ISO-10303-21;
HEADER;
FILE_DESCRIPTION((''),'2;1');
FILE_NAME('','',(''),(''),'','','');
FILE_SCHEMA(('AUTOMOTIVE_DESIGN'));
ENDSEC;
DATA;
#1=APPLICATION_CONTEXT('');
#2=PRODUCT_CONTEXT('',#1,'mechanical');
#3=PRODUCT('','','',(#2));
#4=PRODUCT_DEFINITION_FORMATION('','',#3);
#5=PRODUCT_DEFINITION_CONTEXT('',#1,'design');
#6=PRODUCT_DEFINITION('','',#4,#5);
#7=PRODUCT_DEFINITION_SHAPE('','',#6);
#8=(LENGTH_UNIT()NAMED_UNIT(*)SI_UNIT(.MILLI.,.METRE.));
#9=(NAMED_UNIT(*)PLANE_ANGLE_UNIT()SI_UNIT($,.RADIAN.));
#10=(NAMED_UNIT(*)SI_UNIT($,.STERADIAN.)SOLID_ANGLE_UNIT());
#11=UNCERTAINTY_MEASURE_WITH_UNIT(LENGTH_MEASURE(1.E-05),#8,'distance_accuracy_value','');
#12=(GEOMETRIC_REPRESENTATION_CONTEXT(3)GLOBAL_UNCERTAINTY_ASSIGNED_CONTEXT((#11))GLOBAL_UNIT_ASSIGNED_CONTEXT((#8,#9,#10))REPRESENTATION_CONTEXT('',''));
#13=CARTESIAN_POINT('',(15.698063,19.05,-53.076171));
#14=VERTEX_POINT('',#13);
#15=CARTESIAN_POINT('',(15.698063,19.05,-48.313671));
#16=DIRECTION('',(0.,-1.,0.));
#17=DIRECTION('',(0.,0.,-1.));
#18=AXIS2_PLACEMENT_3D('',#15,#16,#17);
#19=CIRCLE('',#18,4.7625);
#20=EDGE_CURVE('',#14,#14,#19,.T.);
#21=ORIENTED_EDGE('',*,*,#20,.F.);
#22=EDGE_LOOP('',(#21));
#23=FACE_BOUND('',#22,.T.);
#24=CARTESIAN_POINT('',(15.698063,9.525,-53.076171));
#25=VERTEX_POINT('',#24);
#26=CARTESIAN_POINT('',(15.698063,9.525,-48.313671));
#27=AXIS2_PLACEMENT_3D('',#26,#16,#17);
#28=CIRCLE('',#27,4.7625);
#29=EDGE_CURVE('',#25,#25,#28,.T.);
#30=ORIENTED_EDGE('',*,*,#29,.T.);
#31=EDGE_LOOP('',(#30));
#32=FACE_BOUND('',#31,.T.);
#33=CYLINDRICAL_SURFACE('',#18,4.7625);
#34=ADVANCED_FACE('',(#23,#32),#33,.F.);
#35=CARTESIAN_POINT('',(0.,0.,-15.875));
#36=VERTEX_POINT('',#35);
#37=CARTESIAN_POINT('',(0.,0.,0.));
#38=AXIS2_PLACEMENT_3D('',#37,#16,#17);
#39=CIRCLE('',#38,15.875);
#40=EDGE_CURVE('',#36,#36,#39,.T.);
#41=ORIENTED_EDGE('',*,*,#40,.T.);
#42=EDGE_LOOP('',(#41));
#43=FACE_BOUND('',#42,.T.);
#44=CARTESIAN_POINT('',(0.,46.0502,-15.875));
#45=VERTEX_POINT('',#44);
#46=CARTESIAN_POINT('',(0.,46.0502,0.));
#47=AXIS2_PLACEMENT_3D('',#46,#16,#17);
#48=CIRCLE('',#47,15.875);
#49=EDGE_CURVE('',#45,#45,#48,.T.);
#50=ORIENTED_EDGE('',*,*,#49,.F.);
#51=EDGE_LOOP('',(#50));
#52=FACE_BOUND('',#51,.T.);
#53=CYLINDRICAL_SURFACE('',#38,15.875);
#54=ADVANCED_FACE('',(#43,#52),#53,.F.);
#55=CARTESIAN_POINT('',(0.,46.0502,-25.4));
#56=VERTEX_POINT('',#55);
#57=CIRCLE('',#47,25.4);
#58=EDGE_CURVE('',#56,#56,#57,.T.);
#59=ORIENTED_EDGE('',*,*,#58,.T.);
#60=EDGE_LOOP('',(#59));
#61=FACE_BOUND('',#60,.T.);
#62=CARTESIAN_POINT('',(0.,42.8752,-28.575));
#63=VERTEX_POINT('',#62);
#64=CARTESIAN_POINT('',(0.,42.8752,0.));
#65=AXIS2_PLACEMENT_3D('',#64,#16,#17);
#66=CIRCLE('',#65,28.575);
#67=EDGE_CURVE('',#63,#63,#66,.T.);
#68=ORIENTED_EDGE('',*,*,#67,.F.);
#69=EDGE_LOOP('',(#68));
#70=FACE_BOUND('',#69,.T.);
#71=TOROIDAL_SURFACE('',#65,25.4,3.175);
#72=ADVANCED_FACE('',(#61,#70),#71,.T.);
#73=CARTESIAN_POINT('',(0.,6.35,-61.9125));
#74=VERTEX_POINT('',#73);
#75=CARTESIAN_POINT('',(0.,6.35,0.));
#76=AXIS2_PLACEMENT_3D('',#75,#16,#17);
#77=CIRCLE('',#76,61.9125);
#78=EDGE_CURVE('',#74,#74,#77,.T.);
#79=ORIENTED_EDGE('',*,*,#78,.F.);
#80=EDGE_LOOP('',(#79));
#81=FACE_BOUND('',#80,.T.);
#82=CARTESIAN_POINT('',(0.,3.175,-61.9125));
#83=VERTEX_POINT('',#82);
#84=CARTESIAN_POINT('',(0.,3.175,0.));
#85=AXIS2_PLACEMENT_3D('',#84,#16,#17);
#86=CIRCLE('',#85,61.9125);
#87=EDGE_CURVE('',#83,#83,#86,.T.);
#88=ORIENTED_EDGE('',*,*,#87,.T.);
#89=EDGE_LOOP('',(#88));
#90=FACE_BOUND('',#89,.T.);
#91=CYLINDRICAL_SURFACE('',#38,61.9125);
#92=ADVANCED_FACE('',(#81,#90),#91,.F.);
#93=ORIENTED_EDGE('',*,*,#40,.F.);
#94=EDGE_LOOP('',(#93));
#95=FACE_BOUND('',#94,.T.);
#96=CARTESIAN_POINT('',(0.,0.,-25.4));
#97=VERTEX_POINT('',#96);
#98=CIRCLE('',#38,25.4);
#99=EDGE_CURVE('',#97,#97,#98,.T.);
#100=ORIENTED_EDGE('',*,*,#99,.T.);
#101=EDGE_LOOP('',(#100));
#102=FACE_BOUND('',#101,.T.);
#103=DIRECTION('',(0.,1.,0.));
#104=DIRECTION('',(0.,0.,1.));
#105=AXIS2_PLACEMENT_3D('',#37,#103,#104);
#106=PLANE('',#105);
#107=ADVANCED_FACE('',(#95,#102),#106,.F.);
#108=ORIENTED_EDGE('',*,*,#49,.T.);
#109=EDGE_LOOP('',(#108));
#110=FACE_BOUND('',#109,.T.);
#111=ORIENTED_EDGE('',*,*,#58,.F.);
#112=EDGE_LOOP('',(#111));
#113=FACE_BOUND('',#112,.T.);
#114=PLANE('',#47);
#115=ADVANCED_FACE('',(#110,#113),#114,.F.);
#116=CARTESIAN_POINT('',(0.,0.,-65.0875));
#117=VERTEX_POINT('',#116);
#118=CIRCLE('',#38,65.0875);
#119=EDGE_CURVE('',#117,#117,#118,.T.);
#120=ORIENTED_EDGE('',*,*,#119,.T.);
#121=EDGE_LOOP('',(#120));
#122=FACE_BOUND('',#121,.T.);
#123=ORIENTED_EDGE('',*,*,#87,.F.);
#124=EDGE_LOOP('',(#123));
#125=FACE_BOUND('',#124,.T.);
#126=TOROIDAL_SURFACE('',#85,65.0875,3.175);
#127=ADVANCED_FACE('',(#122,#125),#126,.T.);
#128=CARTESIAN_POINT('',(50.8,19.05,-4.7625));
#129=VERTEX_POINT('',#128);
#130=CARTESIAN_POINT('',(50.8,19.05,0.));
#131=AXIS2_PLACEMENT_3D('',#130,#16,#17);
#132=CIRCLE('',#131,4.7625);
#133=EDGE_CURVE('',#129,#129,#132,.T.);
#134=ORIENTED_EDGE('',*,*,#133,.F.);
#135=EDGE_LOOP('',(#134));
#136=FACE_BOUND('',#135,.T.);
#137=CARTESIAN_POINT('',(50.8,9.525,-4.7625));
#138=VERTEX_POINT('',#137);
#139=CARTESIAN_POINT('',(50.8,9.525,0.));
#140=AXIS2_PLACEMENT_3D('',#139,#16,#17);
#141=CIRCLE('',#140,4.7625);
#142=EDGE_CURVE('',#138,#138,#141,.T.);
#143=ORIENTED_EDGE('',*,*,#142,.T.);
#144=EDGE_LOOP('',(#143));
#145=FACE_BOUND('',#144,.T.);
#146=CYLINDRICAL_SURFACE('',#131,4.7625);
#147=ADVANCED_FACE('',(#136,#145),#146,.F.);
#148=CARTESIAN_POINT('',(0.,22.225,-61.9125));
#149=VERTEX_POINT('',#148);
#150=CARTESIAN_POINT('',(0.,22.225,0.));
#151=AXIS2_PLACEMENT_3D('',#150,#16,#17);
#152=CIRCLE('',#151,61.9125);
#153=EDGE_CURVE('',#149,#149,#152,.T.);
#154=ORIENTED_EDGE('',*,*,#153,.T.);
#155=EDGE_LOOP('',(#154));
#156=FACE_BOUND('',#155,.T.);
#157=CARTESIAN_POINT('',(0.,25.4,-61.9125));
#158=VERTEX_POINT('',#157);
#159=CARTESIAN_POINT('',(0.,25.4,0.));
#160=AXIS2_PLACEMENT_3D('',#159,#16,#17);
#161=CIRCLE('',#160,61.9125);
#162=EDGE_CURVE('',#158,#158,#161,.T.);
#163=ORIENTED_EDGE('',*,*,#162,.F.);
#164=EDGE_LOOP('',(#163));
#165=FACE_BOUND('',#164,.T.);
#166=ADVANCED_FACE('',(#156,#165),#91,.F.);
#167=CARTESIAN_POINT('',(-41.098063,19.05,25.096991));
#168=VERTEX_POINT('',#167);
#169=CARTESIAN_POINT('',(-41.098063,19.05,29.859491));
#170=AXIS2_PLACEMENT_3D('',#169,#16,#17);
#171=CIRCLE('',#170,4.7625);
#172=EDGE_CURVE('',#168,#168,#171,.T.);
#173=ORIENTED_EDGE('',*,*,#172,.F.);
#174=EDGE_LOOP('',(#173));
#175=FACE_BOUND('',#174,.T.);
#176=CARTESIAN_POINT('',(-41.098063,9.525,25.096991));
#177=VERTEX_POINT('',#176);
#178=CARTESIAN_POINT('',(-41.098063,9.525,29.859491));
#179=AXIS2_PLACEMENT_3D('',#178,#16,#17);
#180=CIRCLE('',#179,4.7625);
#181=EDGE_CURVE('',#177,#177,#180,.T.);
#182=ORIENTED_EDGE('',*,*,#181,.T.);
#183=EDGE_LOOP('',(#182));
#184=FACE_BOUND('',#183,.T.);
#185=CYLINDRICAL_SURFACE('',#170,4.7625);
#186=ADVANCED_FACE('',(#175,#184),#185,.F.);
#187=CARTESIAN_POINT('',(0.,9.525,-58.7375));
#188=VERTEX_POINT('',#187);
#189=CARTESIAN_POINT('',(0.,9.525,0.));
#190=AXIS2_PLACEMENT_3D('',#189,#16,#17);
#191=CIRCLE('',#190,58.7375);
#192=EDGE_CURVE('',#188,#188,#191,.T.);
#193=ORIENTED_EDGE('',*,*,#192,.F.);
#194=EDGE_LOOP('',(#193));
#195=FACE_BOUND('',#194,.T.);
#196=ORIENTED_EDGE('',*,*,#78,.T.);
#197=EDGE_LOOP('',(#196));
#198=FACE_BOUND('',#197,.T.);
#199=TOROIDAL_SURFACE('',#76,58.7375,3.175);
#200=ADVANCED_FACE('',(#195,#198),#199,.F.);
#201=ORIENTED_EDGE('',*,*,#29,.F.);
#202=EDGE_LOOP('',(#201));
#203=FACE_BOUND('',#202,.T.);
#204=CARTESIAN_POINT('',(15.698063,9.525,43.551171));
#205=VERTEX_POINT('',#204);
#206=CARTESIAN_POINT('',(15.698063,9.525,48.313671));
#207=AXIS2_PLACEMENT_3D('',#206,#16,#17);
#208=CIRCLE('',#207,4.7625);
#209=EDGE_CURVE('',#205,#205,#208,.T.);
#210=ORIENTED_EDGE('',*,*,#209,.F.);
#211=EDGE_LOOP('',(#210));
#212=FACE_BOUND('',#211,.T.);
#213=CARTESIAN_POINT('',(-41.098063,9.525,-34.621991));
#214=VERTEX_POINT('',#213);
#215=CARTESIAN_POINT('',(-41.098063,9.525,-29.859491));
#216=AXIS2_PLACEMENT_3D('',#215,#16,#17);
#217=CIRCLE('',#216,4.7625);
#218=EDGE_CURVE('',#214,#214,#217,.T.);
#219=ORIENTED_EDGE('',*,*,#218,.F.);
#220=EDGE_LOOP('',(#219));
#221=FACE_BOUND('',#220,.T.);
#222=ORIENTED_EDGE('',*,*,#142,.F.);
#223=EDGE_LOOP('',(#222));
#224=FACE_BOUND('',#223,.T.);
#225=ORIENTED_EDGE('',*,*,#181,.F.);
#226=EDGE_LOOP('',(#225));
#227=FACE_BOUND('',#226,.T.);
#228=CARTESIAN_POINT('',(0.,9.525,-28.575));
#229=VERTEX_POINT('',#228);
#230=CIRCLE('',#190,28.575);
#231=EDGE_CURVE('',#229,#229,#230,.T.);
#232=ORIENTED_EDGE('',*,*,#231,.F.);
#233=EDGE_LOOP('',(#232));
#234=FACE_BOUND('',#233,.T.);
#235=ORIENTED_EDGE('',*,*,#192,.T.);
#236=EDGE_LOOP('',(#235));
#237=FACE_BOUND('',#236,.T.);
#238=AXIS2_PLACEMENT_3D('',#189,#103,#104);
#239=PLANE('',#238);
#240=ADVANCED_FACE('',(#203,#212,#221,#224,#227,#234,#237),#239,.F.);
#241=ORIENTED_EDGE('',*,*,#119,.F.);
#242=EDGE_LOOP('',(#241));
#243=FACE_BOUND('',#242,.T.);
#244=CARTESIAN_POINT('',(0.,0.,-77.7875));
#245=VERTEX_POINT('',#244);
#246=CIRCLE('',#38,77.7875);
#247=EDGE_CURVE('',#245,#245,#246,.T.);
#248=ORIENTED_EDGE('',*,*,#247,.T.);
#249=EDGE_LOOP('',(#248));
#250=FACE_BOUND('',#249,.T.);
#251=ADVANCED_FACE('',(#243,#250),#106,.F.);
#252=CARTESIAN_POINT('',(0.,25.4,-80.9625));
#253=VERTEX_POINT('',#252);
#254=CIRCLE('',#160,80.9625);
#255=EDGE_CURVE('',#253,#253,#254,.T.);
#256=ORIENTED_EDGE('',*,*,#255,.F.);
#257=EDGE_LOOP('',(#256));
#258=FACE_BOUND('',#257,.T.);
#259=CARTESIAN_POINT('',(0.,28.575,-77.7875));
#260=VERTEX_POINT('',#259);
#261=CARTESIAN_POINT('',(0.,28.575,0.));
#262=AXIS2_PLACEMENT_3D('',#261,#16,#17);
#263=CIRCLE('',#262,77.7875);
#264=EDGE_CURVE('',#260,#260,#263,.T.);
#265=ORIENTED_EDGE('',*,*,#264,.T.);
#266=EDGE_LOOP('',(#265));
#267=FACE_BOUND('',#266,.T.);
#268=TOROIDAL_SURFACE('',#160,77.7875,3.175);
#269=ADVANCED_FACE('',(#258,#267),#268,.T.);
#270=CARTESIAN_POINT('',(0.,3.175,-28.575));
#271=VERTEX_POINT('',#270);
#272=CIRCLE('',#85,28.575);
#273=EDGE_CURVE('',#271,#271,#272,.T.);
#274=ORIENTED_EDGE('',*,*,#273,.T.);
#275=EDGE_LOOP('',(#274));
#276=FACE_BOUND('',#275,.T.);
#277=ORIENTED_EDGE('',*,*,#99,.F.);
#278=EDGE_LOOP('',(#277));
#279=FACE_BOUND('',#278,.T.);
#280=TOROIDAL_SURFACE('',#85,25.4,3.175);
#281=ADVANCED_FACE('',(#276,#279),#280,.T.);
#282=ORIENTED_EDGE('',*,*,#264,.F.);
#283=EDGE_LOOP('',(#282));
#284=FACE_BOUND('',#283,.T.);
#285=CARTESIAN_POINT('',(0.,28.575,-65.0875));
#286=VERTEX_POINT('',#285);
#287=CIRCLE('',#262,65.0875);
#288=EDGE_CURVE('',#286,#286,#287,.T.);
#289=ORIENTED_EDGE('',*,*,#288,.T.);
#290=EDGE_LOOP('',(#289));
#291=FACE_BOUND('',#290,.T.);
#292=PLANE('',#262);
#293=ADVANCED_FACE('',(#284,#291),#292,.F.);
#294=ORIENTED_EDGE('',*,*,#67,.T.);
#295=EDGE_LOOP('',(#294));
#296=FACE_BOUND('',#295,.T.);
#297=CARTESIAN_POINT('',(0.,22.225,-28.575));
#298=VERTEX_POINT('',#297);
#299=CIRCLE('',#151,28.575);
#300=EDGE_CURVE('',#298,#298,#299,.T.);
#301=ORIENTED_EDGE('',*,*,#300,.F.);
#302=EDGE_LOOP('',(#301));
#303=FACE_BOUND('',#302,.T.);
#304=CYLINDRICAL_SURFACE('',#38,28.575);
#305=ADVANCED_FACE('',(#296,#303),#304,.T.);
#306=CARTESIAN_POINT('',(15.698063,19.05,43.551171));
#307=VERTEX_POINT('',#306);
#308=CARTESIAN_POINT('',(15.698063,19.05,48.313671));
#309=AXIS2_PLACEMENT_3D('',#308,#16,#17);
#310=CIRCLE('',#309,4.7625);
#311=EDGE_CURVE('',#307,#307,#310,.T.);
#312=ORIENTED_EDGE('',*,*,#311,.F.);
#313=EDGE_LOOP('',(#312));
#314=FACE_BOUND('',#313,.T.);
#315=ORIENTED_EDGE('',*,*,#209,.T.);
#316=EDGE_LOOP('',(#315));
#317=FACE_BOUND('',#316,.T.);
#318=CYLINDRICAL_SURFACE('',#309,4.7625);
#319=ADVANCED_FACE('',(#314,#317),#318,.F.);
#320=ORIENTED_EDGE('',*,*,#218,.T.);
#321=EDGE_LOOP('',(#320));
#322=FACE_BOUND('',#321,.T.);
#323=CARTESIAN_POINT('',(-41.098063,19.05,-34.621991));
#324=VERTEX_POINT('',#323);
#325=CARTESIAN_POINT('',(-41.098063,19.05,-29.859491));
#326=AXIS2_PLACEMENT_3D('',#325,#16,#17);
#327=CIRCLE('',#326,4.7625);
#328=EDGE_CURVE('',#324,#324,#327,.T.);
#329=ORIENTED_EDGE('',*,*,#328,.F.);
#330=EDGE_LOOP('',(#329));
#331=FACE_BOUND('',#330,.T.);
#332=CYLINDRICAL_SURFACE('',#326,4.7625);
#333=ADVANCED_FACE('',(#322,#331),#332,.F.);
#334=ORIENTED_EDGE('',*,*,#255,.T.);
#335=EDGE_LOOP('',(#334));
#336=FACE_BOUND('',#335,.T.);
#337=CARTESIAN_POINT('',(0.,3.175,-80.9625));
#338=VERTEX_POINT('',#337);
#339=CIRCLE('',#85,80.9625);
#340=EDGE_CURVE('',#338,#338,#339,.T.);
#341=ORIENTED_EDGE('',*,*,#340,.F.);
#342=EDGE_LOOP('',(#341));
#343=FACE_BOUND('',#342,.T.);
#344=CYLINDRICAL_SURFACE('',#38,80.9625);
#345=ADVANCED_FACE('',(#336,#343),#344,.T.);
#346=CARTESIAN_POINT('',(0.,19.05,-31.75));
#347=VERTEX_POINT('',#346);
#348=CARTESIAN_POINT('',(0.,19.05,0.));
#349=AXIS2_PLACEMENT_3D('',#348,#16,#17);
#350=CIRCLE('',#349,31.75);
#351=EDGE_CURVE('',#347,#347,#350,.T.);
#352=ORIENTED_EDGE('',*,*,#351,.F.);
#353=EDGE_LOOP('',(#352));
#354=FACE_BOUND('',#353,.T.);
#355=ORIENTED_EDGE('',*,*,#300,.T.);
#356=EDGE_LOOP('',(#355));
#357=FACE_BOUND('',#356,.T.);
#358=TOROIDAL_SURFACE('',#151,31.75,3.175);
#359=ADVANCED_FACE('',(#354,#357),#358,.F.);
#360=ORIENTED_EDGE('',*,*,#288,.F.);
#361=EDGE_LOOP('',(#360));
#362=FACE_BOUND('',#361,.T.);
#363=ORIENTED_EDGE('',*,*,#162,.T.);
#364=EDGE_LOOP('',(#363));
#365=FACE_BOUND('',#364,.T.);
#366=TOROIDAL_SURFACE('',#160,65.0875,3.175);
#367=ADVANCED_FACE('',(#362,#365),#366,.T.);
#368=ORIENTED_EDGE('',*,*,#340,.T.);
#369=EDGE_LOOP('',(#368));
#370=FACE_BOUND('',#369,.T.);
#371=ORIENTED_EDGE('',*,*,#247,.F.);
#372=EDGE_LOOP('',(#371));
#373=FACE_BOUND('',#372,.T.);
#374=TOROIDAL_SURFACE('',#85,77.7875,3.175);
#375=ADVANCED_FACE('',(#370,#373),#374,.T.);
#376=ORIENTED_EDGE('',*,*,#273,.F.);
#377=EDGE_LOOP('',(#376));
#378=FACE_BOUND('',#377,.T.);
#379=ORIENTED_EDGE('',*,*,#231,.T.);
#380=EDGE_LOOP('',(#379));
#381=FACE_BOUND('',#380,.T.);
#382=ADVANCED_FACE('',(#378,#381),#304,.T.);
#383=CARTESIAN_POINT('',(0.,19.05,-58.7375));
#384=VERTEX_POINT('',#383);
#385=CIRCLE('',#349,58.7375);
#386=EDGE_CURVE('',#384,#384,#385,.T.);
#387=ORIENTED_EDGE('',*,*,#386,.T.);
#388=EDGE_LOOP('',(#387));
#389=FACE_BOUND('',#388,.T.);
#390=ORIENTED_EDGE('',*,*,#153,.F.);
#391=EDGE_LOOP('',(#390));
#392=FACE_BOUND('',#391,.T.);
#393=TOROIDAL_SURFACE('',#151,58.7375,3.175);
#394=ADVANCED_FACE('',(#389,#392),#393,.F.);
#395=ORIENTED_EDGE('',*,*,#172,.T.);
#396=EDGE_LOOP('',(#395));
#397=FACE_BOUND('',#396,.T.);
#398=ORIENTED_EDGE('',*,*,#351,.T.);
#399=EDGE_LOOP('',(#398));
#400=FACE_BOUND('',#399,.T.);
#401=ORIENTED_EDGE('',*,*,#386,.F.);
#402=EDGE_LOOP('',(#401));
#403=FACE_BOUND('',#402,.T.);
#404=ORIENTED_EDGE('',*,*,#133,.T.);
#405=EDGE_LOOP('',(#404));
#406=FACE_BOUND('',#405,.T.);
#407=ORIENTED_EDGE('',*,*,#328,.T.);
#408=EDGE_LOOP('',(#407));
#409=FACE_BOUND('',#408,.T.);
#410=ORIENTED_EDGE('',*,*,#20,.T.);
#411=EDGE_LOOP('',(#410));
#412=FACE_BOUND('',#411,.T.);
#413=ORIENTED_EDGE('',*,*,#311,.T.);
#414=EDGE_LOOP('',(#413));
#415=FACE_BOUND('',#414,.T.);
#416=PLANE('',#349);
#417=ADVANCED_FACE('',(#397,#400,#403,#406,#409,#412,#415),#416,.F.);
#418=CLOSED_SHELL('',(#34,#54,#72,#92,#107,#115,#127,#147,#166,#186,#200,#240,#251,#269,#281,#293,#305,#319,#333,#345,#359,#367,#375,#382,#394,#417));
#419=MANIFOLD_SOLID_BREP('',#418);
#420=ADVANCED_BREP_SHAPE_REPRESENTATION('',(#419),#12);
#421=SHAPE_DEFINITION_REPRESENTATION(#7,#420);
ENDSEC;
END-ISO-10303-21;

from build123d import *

# Parameters (mm, degrees)
SKETCH3_R          = 4.7625
CUT_EXTRUDE1_DEPTH = 9.525


with BuildPart() as part:
    # Sketch1 → Revolve10 (revolve)
    with BuildSketch(Plane.XY):
        with BuildLine():
            Line((15.875, 0), (15.875, 46.0502))
            Line((15.875, 46.0502), (25.4, 46.0502))
            ThreePointArc((25.4, 46.0502), (27.64506403, 45.12026403), (28.575, 42.8752))
            Line((28.575, 42.8752), (28.575, 22.225))
            ThreePointArc((28.575, 22.225), (29.50493597, 19.97993597), (31.75, 19.05))
            Line((31.75, 19.05), (58.7375, 19.05))
            ThreePointArc((58.7375, 19.05), (60.98256403, 19.97993597), (61.9125, 22.225))
            Line((61.9125, 22.225), (61.9125, 25.4))
            ThreePointArc((61.9125, 25.4), (62.84243597, 27.64506403), (65.0875, 28.575))
            Line((65.0875, 28.575), (77.7875, 28.575))
            ThreePointArc((77.7875, 28.575), (80.03256403, 27.64506403), (80.9625, 25.4))
            Line((80.9625, 25.4), (80.9625, 3.175))
            ThreePointArc((80.9625, 3.175), (80.03256403, 0.92993597), (77.7875, 0))
            Line((77.7875, 0), (65.0875, 0))
            ThreePointArc((65.0875, 0), (62.84243597, 0.92993597), (61.9125, 3.175))
            Line((61.9125, 3.175), (61.9125, 6.35))
            ThreePointArc((61.9125, 6.35), (60.98256403, 8.59506403), (58.7375, 9.525))
            Line((58.7375, 9.525), (28.575, 9.525))
            Line((28.575, 9.525), (28.575, 3.175))
            ThreePointArc((28.575, 3.175), (27.64506403, 0.92993597), (25.4, 0))
            Line((25.4, 0), (15.875, 0))
        make_face()
    revolve(axis=Axis((0, 0, 0), (0, 1, 0)))

    # Sketch3 → Cut-Extrude1 (cut)
    with BuildSketch(Plane(origin=(0, 9.525, 0), x_dir=(-1, 0, 0), z_dir=(0, -1, 0))):
        with Locations((-50.8, 0)):
            Circle(SKETCH3_R)
        with Locations((-15.698063314, 48.313671028)):
            Circle(SKETCH3_R)
        with Locations((41.098063314, 29.859490816)):
            Circle(SKETCH3_R)
        with Locations((41.098063314, -29.859490816)):
            Circle(SKETCH3_R)
        with Locations((-15.698063314, -48.313671028)):
            Circle(SKETCH3_R)
    extrude(amount=-CUT_EXTRUDE1_DEPTH, mode=Mode.SUBTRACT)


solid = part.part
